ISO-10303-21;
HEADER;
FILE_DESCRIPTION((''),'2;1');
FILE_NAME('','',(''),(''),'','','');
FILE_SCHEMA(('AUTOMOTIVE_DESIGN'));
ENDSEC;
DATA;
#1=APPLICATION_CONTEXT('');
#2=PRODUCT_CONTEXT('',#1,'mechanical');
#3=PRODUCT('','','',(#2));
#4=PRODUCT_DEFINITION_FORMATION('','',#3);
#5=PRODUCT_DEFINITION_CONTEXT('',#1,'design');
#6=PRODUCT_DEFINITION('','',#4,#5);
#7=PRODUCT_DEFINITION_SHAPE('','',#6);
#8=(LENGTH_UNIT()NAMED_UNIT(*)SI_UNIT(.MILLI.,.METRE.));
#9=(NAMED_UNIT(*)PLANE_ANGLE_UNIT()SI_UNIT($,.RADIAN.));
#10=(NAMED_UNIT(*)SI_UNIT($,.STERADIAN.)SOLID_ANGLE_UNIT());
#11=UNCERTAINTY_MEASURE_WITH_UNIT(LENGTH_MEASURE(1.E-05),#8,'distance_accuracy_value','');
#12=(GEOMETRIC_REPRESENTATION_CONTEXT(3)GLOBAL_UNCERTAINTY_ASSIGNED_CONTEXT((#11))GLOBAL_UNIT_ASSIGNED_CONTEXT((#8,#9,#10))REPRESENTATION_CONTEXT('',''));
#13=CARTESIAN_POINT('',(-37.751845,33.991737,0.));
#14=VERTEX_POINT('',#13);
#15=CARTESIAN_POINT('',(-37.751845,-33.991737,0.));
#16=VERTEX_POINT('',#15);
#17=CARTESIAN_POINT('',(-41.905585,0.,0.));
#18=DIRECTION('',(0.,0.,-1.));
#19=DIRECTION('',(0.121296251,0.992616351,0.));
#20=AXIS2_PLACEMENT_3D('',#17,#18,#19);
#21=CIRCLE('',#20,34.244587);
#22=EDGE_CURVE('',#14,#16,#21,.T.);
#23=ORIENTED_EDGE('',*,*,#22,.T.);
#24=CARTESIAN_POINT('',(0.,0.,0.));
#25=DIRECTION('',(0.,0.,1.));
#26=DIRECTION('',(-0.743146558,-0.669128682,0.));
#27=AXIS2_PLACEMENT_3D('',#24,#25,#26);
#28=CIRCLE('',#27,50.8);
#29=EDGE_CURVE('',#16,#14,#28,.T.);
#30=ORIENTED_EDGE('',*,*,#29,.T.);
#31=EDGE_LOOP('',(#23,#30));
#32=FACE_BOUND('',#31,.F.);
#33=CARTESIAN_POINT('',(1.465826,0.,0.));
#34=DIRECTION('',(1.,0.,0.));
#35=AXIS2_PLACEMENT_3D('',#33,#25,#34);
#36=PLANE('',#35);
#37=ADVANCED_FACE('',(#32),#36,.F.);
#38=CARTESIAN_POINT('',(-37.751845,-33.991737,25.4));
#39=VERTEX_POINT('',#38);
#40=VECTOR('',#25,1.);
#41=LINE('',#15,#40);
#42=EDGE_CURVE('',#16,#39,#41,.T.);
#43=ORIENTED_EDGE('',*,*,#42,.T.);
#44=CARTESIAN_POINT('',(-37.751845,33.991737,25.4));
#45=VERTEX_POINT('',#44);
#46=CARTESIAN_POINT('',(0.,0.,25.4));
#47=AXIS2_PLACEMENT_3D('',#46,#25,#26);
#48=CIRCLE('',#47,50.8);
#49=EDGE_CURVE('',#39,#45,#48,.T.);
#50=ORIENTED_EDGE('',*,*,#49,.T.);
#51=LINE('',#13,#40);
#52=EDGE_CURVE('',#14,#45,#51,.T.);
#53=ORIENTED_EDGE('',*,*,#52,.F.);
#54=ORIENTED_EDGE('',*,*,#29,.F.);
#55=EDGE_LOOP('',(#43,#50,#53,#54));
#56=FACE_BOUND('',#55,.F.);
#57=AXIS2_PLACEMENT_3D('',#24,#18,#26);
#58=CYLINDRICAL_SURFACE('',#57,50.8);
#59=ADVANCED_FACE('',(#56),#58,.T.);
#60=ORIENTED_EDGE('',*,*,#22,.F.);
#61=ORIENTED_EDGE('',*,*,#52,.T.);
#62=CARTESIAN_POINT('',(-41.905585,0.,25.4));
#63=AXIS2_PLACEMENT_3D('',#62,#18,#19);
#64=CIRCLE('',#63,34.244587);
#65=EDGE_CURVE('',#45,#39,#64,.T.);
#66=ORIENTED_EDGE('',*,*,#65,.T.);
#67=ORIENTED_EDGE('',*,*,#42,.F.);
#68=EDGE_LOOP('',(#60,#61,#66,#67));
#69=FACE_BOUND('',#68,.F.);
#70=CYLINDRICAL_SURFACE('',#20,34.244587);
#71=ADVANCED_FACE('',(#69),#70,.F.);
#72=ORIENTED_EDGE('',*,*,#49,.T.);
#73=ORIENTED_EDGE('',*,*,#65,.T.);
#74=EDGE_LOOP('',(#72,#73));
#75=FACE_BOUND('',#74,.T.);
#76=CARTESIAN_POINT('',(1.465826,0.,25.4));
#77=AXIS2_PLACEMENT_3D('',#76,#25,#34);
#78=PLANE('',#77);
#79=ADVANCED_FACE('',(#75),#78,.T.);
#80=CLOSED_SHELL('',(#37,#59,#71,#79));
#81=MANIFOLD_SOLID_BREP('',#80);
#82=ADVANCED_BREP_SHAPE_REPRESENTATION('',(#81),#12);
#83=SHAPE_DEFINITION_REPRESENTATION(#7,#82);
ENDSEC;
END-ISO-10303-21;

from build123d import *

# Parameters (mm, degrees)
F1_DEPTH = 25.4


with BuildPart() as f1:
    # F0 (on Top) → F1 (new body)
    with BuildSketch(Plane.XY):
        with BuildLine():
            ThreePointArc((-37.751845, 33.991737), (-7.660998, 0), (-37.751845, -33.991737))
            ThreePointArc((-37.751845, -33.991737), (50.8, 0), (-37.751845, 33.991737))
        make_face()
    extrude(amount=F1_DEPTH)


solid = f1.part
